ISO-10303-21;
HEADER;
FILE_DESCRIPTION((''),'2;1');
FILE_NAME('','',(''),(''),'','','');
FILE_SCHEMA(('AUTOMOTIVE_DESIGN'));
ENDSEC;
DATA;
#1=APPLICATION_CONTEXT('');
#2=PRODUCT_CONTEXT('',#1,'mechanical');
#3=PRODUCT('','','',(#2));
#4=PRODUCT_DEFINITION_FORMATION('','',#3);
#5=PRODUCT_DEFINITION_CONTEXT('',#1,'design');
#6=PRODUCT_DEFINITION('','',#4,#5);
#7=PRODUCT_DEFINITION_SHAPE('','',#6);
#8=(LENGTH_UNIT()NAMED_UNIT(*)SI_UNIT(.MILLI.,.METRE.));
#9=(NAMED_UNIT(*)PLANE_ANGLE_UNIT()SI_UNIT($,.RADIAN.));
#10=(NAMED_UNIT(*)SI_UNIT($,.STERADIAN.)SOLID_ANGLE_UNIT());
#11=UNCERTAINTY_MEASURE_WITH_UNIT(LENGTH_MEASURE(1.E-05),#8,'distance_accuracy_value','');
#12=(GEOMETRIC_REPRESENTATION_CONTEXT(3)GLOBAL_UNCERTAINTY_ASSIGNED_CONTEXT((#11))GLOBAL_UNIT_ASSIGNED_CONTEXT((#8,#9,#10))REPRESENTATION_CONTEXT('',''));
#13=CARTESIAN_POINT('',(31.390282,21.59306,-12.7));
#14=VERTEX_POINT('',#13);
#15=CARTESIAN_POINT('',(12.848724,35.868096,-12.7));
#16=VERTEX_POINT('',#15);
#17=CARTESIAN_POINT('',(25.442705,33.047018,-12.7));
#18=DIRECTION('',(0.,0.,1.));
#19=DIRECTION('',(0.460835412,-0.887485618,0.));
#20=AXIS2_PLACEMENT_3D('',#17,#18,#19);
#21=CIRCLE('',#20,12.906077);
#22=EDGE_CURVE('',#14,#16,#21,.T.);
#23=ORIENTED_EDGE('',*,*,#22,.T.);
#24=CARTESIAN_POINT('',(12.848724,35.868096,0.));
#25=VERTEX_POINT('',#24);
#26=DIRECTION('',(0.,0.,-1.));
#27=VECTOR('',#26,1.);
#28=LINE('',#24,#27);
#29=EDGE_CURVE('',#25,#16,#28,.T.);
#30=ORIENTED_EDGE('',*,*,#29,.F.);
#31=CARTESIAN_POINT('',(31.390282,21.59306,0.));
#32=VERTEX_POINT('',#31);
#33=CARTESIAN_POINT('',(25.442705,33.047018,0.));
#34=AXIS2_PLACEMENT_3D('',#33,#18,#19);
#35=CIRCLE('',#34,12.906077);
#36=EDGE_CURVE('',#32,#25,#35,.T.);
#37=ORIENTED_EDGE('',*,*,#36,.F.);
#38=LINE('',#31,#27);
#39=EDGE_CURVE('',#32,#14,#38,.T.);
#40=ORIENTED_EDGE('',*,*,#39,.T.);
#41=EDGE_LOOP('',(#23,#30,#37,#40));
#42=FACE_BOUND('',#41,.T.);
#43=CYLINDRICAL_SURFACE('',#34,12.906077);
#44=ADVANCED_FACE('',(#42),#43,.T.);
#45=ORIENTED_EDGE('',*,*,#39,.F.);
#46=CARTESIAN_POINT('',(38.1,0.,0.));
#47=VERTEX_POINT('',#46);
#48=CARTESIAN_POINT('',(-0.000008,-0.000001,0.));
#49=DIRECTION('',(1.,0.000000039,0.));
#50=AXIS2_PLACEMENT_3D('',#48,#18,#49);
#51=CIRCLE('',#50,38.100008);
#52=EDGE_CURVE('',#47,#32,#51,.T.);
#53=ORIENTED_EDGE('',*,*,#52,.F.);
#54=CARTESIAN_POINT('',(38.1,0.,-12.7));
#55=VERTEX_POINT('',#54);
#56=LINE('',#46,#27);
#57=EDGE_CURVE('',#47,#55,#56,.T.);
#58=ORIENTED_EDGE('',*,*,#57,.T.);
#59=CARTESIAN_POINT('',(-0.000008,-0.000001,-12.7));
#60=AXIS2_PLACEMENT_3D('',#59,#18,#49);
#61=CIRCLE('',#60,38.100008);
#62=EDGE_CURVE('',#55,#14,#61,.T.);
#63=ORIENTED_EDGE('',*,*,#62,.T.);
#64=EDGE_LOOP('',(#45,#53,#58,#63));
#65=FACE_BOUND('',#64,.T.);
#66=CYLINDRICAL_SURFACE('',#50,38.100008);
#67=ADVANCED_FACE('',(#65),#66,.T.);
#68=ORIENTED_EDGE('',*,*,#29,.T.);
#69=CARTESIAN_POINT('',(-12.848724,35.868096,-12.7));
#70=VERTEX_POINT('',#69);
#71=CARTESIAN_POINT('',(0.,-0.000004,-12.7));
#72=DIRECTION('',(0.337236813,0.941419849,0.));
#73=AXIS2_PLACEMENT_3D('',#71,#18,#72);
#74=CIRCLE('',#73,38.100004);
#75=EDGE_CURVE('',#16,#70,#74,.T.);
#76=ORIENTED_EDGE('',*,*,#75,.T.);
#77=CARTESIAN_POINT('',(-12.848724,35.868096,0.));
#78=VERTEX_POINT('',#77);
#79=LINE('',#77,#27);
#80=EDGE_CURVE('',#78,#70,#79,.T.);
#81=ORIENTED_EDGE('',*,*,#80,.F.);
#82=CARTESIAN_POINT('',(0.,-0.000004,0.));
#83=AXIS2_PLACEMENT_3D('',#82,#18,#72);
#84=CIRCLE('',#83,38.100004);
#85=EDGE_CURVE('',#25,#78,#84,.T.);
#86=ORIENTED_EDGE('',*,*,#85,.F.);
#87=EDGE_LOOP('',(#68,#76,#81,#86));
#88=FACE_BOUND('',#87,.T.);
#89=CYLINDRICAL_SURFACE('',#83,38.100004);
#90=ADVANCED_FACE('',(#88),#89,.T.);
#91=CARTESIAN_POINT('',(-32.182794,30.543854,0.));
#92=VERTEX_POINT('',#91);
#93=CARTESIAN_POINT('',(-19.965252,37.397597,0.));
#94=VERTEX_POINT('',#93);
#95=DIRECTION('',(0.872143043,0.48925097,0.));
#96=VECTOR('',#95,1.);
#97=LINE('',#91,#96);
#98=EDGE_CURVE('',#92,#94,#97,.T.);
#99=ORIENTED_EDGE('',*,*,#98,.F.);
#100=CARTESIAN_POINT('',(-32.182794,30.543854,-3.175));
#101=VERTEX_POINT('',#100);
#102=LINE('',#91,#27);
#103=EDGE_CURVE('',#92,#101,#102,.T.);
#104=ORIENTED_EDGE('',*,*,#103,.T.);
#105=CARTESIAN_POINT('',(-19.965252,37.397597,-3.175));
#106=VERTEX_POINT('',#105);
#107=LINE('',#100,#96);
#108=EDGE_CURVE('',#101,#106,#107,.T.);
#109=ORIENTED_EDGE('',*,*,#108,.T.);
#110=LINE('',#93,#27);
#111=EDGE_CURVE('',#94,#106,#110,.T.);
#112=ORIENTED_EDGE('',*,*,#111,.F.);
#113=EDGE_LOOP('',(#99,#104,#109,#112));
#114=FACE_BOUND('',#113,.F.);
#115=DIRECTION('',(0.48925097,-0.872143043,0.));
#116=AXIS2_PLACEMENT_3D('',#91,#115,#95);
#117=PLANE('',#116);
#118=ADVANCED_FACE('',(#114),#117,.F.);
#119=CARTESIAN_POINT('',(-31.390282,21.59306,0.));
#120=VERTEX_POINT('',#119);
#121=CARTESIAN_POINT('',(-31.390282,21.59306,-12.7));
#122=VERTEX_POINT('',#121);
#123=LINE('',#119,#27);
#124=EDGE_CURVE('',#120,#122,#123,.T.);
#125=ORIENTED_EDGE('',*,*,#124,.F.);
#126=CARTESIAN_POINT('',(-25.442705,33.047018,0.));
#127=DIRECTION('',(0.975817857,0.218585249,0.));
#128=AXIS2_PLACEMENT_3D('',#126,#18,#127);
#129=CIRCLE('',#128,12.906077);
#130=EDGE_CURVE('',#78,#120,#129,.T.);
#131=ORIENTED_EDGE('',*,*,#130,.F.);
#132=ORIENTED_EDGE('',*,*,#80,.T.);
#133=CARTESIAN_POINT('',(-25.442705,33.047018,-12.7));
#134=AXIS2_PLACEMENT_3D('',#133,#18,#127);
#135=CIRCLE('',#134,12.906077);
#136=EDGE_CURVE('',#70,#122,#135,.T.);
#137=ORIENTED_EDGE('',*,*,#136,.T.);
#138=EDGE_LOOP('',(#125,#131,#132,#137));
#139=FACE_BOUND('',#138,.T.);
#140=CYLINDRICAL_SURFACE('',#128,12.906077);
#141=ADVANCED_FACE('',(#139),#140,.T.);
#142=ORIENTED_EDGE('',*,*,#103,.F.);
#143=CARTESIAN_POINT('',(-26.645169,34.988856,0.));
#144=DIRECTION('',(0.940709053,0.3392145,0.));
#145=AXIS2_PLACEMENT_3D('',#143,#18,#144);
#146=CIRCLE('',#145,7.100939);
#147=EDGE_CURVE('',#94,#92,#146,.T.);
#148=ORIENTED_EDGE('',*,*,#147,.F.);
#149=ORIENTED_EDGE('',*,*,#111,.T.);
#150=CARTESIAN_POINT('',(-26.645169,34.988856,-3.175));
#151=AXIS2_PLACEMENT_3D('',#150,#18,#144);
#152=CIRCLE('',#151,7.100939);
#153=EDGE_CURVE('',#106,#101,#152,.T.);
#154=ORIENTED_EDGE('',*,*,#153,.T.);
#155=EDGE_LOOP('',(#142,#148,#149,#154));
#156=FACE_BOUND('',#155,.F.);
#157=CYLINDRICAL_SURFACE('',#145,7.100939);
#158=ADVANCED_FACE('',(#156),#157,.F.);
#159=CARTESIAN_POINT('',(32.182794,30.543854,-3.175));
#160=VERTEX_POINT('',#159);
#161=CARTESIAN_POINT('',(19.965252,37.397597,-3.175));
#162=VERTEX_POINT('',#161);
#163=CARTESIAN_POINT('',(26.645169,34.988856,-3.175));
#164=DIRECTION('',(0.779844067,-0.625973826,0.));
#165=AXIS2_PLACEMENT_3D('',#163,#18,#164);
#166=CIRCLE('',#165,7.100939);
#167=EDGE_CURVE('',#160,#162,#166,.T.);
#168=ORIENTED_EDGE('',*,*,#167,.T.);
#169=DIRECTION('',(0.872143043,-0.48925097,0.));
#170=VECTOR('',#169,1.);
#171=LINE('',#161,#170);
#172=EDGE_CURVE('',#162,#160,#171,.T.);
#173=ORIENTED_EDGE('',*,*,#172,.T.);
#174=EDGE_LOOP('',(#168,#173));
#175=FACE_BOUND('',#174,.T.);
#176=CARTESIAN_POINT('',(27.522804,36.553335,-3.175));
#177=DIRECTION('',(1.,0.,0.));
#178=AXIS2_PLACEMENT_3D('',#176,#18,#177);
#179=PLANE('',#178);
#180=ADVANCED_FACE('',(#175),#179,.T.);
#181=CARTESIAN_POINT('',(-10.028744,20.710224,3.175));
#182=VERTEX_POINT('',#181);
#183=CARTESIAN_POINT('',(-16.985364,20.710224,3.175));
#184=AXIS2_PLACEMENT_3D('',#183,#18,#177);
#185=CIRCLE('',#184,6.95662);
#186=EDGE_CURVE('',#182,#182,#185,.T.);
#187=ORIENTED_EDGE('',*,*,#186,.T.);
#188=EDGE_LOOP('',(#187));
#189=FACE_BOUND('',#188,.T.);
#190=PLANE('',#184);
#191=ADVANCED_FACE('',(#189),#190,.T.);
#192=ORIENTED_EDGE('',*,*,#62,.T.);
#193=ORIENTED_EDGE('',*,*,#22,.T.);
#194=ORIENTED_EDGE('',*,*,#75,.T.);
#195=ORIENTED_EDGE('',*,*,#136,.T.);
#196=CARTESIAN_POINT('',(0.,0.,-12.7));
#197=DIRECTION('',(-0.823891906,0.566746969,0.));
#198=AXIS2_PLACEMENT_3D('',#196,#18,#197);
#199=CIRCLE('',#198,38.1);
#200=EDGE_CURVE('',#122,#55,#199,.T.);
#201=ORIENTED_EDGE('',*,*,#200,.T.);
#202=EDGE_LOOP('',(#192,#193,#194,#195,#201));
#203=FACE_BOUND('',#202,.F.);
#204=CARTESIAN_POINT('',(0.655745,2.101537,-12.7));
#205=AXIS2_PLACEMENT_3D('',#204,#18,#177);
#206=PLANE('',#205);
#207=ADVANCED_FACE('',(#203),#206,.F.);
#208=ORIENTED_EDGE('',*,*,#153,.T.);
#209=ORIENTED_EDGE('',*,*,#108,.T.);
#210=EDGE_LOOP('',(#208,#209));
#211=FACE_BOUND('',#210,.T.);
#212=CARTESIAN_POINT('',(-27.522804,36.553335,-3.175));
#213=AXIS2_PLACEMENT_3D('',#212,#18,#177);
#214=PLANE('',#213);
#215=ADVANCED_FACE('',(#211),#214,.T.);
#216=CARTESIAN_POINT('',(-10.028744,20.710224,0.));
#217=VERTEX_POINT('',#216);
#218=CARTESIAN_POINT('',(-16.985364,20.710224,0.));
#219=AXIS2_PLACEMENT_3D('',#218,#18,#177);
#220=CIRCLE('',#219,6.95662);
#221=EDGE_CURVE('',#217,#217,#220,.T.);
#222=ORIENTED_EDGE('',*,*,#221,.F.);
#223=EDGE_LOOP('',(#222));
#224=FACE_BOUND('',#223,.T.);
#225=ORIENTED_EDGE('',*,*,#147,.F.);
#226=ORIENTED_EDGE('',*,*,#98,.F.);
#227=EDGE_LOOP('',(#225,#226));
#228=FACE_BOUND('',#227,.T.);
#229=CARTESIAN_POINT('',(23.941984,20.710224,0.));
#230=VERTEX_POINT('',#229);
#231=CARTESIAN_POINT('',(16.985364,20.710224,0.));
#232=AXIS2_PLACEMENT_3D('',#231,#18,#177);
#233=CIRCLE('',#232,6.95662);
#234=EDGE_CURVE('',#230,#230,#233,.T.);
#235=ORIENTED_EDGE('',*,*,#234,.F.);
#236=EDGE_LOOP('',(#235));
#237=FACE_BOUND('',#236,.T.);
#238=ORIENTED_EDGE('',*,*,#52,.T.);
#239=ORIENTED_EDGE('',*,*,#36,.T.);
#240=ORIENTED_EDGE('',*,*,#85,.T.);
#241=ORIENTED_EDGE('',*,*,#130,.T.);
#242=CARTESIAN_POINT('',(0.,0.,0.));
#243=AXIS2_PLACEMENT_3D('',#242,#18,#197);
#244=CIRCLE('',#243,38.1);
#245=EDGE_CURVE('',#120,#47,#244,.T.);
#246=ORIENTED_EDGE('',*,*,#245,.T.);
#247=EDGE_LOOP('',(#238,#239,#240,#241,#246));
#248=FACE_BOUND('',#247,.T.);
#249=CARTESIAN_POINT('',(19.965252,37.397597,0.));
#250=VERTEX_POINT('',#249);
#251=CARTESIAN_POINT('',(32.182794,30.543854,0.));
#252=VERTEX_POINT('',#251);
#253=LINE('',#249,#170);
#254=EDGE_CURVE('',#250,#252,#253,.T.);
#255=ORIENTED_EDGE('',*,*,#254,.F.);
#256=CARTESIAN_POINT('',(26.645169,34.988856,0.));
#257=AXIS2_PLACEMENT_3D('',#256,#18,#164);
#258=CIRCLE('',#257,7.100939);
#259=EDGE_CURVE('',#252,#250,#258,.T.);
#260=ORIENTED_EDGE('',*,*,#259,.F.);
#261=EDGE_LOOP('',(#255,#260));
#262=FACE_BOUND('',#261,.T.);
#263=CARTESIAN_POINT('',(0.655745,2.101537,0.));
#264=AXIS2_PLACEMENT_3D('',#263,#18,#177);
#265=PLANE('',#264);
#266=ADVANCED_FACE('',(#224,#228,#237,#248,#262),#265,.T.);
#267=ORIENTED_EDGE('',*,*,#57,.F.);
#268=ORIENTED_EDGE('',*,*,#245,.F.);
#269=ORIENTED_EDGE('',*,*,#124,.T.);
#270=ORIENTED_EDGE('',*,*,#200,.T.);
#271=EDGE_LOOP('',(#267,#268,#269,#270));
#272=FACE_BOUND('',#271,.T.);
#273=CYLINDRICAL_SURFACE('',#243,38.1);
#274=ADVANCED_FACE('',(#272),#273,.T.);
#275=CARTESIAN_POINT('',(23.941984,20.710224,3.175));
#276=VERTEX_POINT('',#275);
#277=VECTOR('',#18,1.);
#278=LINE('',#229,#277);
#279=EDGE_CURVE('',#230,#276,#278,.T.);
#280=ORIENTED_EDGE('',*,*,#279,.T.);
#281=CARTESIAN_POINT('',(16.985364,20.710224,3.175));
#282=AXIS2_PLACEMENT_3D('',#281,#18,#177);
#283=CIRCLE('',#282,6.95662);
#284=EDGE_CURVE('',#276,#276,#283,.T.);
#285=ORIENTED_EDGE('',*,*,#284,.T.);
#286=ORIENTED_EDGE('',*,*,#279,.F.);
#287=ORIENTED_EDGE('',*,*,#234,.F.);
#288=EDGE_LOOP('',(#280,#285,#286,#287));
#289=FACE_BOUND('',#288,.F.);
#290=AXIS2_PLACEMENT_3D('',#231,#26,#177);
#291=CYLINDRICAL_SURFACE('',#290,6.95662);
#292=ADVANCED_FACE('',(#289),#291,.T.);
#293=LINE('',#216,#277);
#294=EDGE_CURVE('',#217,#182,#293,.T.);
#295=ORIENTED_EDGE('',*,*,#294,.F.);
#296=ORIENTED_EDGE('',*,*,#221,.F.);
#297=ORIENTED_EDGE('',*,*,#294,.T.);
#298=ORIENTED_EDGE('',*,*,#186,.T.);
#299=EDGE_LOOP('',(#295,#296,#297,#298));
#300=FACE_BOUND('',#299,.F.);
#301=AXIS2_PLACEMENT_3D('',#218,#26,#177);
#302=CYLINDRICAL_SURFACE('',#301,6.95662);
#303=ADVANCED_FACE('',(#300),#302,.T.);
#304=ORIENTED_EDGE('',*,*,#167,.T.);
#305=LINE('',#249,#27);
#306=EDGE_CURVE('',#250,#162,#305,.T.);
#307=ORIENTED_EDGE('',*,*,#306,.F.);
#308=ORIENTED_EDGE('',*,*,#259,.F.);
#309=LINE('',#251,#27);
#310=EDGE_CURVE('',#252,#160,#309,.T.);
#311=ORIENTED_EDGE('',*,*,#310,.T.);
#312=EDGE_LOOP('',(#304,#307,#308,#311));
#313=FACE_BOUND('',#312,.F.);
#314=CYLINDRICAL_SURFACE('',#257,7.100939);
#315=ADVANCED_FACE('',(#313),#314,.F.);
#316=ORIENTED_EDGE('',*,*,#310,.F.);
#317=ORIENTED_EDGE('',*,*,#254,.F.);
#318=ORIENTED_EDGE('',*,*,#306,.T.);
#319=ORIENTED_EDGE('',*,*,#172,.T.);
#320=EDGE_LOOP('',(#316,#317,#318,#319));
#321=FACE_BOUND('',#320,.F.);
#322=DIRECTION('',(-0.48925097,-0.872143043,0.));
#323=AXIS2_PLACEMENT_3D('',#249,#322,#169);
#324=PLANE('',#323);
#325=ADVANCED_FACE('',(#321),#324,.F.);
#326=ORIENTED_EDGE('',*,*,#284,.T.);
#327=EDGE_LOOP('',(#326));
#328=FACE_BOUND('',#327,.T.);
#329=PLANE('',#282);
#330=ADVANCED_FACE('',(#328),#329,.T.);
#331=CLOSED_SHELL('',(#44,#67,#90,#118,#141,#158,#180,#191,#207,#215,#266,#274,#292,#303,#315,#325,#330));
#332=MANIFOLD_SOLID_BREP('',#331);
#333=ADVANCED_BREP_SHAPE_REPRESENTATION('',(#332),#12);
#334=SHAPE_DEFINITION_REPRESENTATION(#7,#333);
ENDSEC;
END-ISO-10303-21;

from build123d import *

# Parameters (mm, degrees)
F1_DEPTH = 12.7
F2_R     = 6.95662
F3_DEPTH = 3.175
F5_DEPTH = 3.175


with BuildPart() as f1:
    # F0 (on Top) → F1 (new body)
    with BuildSketch(Plane.XY):
        with BuildLine():
            ThreePointArc((-31.390282, 21.59306), (-11.305757, -36.383923), (38.1, 0))
            ThreePointArc((38.1, 0), (36.383923, 11.305757), (31.390282, 21.59306))
            ThreePointArc((31.390282, 21.59306), (23.24256, 30.189293), (12.848724, 35.868096))
            ThreePointArc((12.848724, 35.868096), (0, 38.1), (-12.848724, 35.868096))
            ThreePointArc((-12.848724, 35.868096), (-23.24256, 30.189293), (-31.390282, 21.59306))
        make_face()
        with BuildLine():
            ThreePointArc((12.848724, 35.868096), (23.24256, 30.189293), (31.390282, 21.59306))
            ThreePointArc((31.390282, 21.59306), (33.31594, 43.273405), (12.848724, 35.868096))
        make_face()
        with BuildLine():
            ThreePointArc((-12.848724, 35.868096), (-33.31594, 43.273405), (-31.390282, 21.59306))
            ThreePointArc((-31.390282, 21.59306), (-23.24256, 30.189293), (-12.848724, 35.868096))
        make_face()
    extrude(amount=-F1_DEPTH)

    # F2 (on face) → F3 (join)
    with BuildSketch(Plane.XY):
        with Locations((-16.985364, 20.710224)):
            Circle(F2_R)
        with Locations((16.985364, 20.710224)):
            Circle(F2_R)
    extrude(amount=F3_DEPTH)

    # F4 (on face) → F5 (cut)
    with BuildSketch(Plane.XY):
        with BuildLine():
            Line((-32.182794, 30.543854), (-19.965252, 37.397597))
            ThreePointArc((-19.965252, 37.397597), (-30.11931, 41.18189), (-32.182794, 30.543854))
        make_face()
        with BuildLine():
            ThreePointArc((32.182794, 30.543854), (30.11931, 41.18189), (19.965252, 37.397597))
            Line((19.965252, 37.397597), (32.182794, 30.543854))
        make_face()
    extrude(amount=-F5_DEPTH, mode=Mode.SUBTRACT)


solid = f1.part
